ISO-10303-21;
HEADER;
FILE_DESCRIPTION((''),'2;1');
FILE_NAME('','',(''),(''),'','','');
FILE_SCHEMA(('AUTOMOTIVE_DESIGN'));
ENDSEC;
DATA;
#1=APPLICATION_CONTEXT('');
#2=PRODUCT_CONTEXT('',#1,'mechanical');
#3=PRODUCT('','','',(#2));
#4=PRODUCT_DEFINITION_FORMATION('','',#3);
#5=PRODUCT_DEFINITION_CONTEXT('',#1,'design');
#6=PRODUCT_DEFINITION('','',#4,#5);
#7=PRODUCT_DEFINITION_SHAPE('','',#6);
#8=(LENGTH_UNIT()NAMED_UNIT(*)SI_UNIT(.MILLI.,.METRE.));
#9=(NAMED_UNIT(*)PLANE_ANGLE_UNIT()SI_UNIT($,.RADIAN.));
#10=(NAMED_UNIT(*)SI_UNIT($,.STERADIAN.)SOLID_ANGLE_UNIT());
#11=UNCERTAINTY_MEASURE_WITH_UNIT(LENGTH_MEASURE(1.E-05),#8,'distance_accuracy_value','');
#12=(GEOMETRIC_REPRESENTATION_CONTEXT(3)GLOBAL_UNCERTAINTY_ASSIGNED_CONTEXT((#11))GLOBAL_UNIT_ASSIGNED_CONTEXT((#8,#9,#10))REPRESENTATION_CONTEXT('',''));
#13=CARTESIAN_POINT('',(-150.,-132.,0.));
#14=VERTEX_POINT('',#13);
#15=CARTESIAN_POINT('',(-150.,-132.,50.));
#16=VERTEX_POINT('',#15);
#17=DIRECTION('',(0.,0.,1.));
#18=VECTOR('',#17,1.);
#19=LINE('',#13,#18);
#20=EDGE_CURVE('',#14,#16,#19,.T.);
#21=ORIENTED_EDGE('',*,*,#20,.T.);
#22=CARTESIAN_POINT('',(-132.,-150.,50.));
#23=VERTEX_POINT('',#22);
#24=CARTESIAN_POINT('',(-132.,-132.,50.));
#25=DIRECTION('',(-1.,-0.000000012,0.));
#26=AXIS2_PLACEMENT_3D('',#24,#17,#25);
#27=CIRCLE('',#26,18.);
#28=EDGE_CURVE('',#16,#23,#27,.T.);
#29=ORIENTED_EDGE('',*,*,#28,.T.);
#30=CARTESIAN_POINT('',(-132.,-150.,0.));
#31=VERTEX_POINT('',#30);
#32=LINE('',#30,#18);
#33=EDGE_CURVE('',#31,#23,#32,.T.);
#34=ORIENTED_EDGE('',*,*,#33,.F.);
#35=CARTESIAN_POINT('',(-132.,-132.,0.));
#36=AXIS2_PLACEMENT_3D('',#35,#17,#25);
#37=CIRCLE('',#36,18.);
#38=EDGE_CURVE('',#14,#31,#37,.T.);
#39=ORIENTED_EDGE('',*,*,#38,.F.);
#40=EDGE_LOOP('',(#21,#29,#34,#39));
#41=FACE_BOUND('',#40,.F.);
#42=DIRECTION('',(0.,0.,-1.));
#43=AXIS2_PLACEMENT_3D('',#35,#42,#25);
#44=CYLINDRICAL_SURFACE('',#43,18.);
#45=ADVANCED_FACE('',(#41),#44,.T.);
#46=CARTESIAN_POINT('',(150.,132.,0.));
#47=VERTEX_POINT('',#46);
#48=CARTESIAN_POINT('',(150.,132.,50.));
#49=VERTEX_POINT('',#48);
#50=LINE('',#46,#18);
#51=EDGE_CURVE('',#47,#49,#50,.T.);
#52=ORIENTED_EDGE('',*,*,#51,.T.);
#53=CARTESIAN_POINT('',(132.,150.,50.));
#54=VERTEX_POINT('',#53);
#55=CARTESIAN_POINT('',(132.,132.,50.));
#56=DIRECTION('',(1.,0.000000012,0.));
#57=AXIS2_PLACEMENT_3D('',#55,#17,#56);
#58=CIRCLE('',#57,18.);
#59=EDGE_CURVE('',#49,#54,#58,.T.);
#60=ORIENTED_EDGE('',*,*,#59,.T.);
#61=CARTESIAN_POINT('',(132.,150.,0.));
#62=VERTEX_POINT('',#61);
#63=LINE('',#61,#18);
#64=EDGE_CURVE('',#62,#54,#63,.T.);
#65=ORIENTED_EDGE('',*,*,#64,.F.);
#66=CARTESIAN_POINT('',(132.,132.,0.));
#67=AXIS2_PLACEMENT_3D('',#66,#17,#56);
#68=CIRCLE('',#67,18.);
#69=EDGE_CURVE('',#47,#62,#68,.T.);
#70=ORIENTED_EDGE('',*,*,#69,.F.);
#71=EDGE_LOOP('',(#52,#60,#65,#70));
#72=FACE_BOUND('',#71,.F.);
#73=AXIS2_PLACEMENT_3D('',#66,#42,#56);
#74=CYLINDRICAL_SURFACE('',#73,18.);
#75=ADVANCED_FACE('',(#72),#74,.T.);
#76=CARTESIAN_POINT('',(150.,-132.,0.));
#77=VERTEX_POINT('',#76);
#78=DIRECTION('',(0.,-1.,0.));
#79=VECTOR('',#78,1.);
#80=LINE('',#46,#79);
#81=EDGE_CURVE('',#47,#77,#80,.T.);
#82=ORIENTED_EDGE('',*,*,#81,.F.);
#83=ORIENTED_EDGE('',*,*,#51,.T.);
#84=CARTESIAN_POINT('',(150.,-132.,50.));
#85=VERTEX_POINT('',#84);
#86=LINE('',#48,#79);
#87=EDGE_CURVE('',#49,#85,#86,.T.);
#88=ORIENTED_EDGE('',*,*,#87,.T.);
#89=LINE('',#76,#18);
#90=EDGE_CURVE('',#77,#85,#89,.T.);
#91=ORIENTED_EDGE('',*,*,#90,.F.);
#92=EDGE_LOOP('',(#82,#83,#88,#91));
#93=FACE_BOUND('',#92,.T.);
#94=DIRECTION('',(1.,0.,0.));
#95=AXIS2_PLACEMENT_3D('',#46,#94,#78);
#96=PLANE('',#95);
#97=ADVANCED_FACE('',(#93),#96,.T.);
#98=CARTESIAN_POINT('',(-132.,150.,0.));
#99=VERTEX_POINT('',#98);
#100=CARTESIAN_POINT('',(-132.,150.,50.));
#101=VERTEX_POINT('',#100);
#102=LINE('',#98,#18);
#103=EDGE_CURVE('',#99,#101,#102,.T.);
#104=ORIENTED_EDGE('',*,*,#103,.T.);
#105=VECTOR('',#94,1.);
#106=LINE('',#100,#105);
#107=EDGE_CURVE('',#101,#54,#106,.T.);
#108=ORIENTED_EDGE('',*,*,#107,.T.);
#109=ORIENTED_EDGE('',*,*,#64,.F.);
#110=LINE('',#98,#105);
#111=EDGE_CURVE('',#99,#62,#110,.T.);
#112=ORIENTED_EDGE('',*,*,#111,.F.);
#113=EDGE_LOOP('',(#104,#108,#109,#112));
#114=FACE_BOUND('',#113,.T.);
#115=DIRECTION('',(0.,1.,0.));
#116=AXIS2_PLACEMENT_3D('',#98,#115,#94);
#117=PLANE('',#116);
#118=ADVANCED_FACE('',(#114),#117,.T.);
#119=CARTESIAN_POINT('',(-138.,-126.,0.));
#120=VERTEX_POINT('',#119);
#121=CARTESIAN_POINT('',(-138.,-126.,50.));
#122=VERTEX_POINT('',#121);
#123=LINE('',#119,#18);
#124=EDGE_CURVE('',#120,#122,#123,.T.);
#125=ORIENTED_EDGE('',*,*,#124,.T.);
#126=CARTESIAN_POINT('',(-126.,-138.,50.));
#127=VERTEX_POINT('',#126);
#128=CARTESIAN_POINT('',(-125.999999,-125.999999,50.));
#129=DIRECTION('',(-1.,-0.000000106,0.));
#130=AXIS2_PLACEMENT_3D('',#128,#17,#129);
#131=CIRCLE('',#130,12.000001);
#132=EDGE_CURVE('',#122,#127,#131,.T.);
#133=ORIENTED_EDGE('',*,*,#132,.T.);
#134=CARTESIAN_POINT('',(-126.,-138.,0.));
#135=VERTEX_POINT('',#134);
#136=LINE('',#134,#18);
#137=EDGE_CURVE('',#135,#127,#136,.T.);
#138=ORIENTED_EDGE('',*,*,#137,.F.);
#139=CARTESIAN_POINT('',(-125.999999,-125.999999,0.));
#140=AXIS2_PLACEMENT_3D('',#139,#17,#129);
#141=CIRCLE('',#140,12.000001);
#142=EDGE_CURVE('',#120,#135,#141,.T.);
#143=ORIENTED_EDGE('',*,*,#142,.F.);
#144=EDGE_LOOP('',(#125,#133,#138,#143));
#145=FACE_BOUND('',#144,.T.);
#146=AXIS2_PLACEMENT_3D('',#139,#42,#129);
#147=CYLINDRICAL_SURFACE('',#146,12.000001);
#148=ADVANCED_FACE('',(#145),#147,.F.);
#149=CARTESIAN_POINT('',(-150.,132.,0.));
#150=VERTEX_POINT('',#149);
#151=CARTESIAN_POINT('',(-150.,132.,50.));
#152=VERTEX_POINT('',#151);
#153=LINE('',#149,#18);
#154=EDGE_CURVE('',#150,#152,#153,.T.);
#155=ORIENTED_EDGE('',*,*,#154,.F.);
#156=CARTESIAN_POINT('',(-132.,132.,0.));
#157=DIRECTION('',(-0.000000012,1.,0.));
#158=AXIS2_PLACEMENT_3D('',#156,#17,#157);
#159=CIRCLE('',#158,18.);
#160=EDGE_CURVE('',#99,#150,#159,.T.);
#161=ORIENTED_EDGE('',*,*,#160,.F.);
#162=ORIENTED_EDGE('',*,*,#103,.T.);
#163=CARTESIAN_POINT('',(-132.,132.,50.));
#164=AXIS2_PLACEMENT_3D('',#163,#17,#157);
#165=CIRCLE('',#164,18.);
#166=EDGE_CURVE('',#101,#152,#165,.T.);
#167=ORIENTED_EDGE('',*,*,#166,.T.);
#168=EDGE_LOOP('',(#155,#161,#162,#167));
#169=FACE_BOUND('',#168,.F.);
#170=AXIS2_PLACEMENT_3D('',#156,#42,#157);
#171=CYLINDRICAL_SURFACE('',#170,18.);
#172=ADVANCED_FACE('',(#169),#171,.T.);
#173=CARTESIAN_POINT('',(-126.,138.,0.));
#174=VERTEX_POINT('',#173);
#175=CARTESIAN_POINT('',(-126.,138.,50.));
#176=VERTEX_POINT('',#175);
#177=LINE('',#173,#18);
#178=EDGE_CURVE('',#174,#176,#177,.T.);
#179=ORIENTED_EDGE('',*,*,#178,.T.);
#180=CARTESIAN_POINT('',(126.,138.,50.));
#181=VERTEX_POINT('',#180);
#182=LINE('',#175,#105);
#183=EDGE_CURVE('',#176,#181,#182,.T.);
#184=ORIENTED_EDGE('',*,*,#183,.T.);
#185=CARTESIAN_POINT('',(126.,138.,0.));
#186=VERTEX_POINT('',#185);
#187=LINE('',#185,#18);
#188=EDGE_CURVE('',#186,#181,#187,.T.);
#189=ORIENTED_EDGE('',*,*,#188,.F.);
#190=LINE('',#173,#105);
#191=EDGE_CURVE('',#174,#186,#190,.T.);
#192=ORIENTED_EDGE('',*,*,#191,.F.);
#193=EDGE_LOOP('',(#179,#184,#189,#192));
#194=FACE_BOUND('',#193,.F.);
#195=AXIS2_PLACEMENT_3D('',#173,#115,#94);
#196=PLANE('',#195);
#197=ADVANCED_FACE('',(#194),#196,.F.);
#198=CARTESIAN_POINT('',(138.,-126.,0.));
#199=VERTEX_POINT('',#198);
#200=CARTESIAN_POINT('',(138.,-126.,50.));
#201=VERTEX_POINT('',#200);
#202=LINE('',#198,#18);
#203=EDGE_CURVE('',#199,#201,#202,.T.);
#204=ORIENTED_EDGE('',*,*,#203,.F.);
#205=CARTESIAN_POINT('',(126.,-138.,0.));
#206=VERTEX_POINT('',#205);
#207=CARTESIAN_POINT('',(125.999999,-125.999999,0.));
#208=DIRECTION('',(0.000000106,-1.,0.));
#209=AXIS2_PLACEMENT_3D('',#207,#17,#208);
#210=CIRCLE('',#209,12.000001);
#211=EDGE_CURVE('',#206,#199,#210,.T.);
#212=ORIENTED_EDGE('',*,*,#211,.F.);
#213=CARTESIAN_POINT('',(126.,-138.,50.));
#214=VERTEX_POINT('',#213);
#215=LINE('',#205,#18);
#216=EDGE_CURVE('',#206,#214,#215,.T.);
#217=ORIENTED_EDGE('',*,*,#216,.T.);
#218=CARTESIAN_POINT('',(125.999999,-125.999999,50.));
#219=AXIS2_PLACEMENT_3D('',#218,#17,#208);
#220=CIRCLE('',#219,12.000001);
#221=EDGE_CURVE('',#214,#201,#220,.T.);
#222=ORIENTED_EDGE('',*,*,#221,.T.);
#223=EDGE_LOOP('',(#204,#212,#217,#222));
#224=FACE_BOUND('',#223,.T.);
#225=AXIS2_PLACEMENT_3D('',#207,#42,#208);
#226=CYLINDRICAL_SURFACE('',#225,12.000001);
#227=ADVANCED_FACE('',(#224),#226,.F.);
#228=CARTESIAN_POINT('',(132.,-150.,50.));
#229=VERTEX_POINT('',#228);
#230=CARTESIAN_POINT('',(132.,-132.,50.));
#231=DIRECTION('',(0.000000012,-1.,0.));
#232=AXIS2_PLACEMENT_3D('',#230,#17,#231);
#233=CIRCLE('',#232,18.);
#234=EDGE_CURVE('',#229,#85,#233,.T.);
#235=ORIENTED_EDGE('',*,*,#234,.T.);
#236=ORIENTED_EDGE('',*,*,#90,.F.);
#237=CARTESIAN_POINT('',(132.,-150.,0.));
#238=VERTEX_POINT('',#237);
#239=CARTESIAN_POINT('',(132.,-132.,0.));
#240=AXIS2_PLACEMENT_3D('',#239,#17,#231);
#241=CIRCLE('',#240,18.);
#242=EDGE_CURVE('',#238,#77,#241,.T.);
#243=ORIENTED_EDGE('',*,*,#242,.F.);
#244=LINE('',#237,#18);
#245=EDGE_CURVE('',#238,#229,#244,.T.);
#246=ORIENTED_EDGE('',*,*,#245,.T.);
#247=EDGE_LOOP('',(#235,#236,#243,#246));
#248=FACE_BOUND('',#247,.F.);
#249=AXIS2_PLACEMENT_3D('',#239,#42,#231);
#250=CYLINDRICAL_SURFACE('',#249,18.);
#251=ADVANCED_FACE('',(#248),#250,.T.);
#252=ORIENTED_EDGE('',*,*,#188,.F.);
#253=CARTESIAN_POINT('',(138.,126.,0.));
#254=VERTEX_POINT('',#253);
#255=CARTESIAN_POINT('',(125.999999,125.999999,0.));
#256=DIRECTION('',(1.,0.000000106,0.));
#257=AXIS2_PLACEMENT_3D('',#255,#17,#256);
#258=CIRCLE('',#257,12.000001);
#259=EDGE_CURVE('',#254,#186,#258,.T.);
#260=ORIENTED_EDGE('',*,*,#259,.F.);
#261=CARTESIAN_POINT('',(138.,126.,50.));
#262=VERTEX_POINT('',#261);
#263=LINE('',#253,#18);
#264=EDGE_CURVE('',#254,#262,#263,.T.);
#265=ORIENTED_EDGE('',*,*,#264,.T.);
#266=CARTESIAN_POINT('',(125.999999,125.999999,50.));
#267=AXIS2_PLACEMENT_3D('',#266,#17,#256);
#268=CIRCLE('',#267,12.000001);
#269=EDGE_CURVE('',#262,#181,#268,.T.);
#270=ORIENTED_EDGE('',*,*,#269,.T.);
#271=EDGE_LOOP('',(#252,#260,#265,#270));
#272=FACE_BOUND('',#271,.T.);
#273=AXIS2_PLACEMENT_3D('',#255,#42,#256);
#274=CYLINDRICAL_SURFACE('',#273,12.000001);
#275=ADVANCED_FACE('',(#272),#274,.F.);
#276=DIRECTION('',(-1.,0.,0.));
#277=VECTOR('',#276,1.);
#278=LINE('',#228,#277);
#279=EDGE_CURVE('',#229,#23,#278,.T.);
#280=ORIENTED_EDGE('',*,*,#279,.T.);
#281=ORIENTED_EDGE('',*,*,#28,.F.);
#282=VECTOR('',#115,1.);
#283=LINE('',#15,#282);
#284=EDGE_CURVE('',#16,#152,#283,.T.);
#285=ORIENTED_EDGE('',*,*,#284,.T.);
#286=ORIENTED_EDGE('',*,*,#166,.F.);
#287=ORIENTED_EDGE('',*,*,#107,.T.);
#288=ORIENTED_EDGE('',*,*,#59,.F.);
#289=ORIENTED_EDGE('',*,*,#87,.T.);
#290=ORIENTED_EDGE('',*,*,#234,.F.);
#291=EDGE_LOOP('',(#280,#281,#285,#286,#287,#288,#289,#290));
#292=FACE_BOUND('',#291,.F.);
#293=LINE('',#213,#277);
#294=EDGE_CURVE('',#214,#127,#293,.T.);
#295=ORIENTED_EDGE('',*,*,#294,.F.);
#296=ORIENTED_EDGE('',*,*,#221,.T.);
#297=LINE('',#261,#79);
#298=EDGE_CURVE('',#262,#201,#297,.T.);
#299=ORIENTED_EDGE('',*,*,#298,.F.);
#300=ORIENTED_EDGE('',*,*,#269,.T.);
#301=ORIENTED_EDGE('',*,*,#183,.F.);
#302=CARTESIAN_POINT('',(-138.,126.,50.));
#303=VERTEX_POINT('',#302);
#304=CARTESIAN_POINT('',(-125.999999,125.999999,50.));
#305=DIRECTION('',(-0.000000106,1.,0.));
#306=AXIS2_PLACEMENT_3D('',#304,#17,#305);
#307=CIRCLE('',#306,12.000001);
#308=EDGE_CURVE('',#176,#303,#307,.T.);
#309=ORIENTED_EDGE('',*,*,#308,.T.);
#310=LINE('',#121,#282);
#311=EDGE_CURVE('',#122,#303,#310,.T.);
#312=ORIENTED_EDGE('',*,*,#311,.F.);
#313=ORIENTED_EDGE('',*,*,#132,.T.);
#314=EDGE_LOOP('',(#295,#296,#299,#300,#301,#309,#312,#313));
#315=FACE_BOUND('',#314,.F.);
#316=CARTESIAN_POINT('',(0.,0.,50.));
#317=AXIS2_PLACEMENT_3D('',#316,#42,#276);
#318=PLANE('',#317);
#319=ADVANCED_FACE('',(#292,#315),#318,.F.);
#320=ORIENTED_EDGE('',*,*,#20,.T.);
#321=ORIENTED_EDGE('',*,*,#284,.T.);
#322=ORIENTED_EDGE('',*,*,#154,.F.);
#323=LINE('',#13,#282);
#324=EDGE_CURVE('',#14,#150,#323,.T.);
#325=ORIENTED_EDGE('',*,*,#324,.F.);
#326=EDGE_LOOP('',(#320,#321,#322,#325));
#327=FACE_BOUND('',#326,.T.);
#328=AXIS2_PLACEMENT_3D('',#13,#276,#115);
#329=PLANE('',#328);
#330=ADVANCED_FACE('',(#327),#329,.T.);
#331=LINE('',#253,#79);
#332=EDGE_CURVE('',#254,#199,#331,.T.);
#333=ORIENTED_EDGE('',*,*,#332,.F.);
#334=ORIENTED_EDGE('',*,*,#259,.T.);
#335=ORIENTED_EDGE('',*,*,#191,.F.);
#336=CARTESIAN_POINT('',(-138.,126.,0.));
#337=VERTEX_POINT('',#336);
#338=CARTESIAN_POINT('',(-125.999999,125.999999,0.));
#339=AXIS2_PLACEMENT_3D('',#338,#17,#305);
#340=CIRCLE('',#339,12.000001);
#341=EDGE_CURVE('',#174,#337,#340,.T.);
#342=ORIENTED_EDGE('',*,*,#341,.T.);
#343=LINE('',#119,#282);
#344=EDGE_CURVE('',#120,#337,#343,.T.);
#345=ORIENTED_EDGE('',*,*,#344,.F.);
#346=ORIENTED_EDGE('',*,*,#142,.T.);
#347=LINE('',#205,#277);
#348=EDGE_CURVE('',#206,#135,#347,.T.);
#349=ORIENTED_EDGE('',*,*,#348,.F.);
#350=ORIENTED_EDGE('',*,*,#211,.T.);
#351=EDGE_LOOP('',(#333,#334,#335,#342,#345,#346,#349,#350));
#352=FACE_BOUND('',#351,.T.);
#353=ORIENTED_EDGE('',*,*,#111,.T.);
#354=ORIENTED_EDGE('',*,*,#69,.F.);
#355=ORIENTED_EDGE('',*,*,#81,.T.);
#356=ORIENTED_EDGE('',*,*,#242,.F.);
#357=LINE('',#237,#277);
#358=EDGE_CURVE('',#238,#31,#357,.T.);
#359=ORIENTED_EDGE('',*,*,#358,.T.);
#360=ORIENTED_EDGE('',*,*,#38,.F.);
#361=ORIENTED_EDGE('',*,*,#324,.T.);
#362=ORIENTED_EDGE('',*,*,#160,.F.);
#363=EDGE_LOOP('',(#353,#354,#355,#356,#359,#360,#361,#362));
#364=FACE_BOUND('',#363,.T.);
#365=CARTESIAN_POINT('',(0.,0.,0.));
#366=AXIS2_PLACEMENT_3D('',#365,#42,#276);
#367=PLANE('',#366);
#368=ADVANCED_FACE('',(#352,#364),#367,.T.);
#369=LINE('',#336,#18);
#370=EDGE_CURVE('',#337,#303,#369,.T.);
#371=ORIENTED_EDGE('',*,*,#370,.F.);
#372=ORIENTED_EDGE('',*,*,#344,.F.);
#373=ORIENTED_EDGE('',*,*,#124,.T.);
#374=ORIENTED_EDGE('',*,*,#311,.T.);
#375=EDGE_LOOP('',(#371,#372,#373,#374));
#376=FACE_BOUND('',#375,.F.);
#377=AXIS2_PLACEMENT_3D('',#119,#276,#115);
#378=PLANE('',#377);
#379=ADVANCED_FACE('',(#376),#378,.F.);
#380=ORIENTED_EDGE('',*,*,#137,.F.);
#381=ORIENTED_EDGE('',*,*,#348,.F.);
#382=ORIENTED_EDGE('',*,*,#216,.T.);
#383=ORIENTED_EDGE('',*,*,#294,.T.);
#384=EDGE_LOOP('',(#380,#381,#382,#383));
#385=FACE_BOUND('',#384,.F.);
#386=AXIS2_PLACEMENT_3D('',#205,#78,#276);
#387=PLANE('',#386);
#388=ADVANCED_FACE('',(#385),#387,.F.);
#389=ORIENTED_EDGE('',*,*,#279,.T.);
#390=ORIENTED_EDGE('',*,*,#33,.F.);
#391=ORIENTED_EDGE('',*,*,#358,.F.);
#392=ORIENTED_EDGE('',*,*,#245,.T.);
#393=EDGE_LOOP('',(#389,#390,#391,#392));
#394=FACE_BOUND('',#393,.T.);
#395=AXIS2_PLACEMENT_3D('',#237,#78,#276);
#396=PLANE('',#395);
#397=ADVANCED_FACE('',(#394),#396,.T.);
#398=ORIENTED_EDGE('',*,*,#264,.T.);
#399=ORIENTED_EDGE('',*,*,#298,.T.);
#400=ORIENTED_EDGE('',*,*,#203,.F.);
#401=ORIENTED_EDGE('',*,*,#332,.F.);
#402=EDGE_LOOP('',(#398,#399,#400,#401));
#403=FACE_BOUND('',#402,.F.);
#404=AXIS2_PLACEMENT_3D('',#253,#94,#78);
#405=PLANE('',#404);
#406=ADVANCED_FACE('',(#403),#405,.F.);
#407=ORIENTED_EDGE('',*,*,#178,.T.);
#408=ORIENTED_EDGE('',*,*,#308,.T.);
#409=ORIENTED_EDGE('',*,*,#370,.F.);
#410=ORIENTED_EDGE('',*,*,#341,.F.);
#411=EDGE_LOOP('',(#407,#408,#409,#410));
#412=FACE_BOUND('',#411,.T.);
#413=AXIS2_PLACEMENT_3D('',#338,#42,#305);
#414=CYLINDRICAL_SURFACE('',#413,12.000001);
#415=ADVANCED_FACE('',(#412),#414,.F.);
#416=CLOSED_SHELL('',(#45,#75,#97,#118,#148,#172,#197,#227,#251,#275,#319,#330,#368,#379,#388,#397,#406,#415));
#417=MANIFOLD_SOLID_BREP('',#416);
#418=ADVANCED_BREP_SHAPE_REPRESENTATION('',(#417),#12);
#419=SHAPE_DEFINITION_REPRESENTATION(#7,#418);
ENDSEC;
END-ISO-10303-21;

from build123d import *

# Parameters (mm, degrees)
EXTRUDE_DEPTH = 50


with BuildPart() as part:
    # Sketch → Extrude (new body)
    with BuildSketch(Plane.XY):
        with BuildLine():
            Line((-132, 150), (132, 150))
            ThreePointArc((150, 132), (144.727922, 144.727922), (132, 150))
            Line((150, 132), (150, -132))
            ThreePointArc((132, -150), (144.727922, -144.727922), (150, -132))
            Line((132, -150), (-132, -150))
            ThreePointArc((-150, -132), (-144.727922, -144.727922), (-132, -150))
            Line((-150, -132), (-150, 132))
            ThreePointArc((-132, 150), (-144.727922, 144.727922), (-150, 132))
        make_face()
        with BuildLine():
            Line((-126, 138), (126, 138))
            ThreePointArc((138, 126), (134.485281, 134.485281), (126, 138))
            Line((138, 126), (138, -126))
            ThreePointArc((126, -138), (134.485281, -134.485281), (138, -126))
            Line((126, -138), (-126, -138))
            ThreePointArc((-138, -126), (-134.485281, -134.485281), (-126, -138))
            Line((-138, -126), (-138, 126))
            ThreePointArc((-126, 138), (-134.485281, 134.485281), (-138, 126))
        make_face(mode=Mode.SUBTRACT)
    extrude(amount=EXTRUDE_DEPTH)


solid = part.part
